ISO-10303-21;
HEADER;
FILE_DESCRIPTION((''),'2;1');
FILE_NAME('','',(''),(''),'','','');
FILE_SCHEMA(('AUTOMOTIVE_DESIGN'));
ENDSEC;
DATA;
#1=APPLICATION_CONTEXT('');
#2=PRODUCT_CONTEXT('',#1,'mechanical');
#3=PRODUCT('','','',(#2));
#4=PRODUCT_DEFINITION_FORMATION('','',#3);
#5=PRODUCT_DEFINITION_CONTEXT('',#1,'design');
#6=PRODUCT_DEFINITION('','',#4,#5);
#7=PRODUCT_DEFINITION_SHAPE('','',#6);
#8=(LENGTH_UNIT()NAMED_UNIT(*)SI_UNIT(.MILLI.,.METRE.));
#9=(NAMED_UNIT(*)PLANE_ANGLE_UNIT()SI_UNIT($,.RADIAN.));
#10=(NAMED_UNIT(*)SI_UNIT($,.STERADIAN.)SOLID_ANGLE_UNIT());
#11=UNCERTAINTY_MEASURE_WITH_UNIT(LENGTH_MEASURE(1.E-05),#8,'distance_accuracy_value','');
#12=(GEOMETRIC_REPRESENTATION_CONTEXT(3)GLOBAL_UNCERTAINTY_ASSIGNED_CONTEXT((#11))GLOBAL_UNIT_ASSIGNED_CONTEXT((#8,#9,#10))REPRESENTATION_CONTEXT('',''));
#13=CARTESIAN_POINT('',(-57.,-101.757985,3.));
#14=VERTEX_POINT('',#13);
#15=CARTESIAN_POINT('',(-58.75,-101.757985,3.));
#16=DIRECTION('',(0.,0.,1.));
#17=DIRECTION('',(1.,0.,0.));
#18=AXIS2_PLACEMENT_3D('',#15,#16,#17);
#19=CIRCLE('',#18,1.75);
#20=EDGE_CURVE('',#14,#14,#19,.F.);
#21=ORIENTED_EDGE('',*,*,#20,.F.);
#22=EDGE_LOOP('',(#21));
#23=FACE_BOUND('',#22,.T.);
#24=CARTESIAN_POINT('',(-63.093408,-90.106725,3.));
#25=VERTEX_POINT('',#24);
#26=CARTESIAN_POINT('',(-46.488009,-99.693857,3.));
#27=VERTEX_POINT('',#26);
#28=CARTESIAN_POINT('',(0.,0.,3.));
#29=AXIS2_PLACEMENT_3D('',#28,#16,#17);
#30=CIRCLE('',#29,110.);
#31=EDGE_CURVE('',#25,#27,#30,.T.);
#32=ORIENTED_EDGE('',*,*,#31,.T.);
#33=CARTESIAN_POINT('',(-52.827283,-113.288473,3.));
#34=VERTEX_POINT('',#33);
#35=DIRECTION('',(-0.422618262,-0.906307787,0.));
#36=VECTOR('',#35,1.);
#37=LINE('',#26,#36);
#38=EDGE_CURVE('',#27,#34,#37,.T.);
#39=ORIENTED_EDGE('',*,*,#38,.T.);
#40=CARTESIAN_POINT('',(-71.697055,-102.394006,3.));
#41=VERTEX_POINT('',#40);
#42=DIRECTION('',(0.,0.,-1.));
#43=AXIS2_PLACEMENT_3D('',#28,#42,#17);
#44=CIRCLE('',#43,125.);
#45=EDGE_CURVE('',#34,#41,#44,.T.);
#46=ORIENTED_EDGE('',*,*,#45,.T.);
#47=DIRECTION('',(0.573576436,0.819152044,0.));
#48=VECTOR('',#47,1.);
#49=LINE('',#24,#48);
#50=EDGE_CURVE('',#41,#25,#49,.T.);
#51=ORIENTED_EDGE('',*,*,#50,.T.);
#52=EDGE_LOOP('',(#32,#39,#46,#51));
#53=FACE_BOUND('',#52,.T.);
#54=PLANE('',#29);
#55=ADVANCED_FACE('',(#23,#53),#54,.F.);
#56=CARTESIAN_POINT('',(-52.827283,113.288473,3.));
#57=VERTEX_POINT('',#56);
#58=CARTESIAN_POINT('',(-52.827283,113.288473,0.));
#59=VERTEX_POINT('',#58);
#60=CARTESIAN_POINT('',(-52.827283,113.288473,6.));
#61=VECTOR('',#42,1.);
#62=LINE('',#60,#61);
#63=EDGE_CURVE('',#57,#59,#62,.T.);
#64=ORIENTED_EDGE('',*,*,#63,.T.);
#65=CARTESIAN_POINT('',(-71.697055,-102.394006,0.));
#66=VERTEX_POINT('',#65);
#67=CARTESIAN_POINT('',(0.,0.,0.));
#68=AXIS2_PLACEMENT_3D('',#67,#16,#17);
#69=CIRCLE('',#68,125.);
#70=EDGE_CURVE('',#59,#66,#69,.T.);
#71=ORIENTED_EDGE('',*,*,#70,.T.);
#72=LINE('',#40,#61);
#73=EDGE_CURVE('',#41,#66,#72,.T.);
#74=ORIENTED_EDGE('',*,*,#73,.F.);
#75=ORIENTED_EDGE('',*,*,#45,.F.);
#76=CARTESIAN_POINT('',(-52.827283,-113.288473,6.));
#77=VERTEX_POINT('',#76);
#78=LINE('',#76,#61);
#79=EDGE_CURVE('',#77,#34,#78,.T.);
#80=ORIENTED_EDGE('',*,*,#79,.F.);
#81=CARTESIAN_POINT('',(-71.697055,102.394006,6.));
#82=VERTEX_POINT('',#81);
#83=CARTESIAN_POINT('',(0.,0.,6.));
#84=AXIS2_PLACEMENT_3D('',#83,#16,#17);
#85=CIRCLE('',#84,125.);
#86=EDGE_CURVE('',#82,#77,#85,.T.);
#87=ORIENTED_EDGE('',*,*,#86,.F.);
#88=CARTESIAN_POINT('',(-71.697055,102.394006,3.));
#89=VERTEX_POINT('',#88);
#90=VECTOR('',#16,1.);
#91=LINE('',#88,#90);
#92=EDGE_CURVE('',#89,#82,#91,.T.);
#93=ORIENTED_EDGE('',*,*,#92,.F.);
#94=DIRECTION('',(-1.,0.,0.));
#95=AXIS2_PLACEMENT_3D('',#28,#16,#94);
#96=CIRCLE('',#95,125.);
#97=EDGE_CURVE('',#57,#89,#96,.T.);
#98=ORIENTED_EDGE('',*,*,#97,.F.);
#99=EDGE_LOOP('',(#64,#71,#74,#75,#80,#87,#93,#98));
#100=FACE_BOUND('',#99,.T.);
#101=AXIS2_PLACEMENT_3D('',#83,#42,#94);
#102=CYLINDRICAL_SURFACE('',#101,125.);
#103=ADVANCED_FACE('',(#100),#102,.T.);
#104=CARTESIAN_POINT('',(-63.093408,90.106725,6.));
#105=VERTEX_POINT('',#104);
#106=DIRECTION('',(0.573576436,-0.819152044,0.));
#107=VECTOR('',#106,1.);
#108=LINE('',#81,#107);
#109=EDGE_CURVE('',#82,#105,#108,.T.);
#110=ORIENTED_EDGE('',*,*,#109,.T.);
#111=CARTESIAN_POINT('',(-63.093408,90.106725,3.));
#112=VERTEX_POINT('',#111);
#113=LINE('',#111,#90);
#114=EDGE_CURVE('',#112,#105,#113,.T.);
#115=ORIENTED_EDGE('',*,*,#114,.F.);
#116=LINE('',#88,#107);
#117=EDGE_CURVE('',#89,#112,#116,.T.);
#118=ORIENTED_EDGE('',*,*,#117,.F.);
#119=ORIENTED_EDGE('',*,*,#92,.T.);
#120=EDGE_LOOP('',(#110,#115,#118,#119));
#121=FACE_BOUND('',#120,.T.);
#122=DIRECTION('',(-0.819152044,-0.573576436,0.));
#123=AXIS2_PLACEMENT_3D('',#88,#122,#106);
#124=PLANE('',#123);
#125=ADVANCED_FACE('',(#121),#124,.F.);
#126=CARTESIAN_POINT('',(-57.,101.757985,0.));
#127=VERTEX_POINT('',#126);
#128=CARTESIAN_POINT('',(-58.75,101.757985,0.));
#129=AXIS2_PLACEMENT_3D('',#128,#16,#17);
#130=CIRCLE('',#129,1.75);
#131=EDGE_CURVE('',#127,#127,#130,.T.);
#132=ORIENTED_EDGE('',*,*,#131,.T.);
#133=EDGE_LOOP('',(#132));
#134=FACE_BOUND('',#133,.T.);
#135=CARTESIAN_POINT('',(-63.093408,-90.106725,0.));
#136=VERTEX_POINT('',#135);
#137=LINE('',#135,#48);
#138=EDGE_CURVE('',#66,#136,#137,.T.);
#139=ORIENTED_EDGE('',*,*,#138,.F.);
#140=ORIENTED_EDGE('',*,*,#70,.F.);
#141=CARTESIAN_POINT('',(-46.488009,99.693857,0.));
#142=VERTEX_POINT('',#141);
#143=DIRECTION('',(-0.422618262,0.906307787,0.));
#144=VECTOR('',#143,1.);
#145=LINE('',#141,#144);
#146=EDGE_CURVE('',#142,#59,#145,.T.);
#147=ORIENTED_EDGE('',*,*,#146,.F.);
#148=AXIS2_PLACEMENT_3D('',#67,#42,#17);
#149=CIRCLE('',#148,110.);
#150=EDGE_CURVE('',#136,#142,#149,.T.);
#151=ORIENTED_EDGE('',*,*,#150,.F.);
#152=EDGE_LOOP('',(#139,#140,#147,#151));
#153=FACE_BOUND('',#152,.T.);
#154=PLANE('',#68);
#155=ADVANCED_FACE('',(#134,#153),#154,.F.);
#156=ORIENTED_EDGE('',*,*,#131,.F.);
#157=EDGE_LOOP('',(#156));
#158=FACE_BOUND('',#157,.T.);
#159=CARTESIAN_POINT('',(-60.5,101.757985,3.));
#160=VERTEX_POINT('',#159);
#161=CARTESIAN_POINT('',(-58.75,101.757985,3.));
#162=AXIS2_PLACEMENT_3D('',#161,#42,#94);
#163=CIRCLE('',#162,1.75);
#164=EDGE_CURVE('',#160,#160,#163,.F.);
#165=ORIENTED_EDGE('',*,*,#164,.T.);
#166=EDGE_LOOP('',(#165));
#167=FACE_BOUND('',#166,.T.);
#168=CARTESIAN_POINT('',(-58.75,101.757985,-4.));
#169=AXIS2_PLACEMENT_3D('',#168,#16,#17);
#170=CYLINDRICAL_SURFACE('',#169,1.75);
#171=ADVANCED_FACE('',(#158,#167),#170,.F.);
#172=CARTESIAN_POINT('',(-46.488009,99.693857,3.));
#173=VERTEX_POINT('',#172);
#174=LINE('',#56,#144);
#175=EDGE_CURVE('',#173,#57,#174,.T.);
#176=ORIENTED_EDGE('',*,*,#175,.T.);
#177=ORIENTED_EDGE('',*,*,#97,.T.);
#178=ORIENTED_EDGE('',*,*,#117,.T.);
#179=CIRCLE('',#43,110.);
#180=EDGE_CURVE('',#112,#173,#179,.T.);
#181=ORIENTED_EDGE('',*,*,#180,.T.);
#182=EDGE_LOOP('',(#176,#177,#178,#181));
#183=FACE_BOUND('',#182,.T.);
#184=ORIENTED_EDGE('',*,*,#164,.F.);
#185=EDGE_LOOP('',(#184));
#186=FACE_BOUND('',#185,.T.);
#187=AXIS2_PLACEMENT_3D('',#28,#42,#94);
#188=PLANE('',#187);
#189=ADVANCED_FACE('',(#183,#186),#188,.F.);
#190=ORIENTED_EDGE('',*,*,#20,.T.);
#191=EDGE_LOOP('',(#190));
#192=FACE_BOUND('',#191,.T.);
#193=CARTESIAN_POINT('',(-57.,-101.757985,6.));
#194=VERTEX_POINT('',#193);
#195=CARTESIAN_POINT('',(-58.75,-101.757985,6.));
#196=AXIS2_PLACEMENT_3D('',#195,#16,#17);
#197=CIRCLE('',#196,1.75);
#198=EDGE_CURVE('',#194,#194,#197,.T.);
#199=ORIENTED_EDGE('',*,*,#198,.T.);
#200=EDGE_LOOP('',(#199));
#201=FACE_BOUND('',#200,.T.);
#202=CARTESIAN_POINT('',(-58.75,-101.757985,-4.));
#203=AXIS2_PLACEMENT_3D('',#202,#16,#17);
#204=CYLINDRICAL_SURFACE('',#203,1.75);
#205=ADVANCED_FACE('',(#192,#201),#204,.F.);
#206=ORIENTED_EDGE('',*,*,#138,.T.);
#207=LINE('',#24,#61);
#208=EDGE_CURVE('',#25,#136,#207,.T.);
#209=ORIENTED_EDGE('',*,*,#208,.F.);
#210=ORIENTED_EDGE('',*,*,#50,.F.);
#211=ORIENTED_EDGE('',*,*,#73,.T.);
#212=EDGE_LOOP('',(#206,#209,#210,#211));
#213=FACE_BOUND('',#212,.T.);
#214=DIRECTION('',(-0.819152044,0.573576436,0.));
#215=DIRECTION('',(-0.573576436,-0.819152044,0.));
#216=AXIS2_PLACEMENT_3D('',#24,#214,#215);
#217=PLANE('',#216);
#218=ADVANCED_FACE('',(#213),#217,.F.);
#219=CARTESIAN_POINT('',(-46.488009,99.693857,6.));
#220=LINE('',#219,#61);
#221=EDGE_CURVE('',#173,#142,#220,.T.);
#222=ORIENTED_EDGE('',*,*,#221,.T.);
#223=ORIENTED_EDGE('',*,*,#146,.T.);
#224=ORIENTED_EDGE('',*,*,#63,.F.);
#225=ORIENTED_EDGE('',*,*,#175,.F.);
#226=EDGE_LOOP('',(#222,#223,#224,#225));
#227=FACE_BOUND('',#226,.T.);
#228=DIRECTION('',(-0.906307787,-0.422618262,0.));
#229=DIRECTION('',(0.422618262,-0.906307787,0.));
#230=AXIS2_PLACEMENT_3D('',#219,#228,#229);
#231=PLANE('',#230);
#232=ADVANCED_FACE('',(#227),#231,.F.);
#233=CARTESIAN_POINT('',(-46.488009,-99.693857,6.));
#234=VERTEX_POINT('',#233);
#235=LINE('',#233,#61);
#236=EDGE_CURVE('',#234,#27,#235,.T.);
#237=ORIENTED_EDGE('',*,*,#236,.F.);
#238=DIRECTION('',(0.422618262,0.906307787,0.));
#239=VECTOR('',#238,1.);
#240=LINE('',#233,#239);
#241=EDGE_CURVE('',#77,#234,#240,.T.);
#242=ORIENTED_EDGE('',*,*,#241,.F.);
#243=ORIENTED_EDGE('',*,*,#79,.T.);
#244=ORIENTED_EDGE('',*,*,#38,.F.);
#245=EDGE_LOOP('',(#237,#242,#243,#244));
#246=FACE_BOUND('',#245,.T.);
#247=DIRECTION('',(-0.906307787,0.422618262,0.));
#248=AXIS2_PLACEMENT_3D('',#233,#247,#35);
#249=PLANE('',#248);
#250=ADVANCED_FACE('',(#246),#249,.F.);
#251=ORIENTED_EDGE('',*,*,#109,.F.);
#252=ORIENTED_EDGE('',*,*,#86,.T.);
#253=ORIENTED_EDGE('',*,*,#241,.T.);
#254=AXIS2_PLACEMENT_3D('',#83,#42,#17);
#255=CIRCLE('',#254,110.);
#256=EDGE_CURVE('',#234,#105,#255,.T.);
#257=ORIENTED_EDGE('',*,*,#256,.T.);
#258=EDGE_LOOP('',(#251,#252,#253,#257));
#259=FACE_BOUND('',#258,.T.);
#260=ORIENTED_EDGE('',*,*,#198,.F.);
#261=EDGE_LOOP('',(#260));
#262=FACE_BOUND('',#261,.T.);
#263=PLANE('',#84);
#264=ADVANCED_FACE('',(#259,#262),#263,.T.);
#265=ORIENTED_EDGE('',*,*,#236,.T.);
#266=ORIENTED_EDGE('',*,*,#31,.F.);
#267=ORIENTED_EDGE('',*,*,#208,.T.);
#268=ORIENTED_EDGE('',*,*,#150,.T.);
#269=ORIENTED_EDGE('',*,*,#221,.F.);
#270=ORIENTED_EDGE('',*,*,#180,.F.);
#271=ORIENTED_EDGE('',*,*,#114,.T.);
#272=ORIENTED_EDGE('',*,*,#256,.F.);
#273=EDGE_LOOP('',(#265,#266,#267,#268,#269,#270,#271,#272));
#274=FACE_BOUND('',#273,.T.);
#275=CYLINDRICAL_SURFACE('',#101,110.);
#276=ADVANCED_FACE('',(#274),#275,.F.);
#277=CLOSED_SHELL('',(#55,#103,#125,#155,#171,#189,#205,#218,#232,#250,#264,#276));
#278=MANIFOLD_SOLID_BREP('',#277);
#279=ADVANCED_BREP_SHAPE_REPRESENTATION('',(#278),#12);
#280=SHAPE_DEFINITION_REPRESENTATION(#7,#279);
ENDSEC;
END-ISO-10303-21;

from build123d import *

# Parameters (mm, degrees)
BOSS_EXTRU_1_DEPTH      = 6
ESQUISSE3_R             = 1.75
ENL_V_MAT_EXTRU_1_DEPTH = 10
ENL_V_START             = -3
ENL_V_MAT_EXTRU_2_DEPTH = 3
ENL_V_MAT_EXTRU_3_DEPTH = 3


with BuildPart() as part:
    # Esquisse1 → Boss.-Extru.1 (new body)
    with BuildSketch(Plane.XY):
        with BuildLine():
            Line((-46.488008791, -99.693856574), (-52.827282718, -113.28847338))
            ThreePointArc((-52.827282718, -113.28847338), (-105.423930727, -67.162451043), (-125, 0))
            ThreePointArc((-125, 0), (-105.423930727, 67.162451043), (-52.827282718, 113.28847338))
            Line((-52.827282718, 113.28847338), (-46.488008791, 99.693856574))
            ThreePointArc((-46.488008791, 99.693856574), (-110, 0), (-46.488008791, -99.693856574))
        make_face()
    extrude(amount=BOSS_EXTRU_1_DEPTH)

    # Esquisse3 → Enlèv. mat.-Extru.1 (cut)
    with BuildSketch(Plane.XY.offset(6)):
        with Locations((-58.75, 101.757984945)):
            Circle(ESQUISSE3_R)
        with Locations((-58.75, -101.757984945)):
            Circle(ESQUISSE3_R)
    extrude(amount=-ENL_V_MAT_EXTRU_1_DEPTH, mode=Mode.SUBTRACT)

    # Esquisse4 → Enlèv. mat.-Extru.2 (cut)
    with BuildSketch(Plane.XY.offset(6).offset(ENL_V_START)):
        with BuildLine():
            Line((-71.697054544, 102.394005536), (-63.093407999, 90.106724872))
            ThreePointArc((-63.093407999, 90.106724872), (-55, 95.262794416), (-46.488008791, 99.693856574))
            Line((-46.488008791, 99.693856574), (-52.827282718, 113.28847338))
            ThreePointArc((-52.827282718, 113.28847338), (-62.5, 108.253175473), (-71.697054544, 102.394005536))
        make_face()
    extrude(amount=ENL_V_MAT_EXTRU_2_DEPTH, mode=Mode.SUBTRACT)

    # Esquisse6 → Enlèv. mat.-Extru.3 (cut)
    with BuildSketch(Plane(origin=(0, 0, 0), x_dir=(-1, 0, 0), z_dir=(0, 0, -1))):
        with BuildLine():
            Line((63.093407999, -90.106724872), (71.697054544, -102.394005536))
            ThreePointArc((71.697054544, -102.394005536), (62.5, -108.253175473), (52.827282718, -113.28847338))
            Line((52.827282718, -113.28847338), (46.488008791, -99.693856574))
            ThreePointArc((46.488008791, -99.693856574), (55, -95.262794416), (63.093407999, -90.106724872))
        make_face()
    extrude(amount=-ENL_V_MAT_EXTRU_3_DEPTH, mode=Mode.SUBTRACT)


solid = part.part
